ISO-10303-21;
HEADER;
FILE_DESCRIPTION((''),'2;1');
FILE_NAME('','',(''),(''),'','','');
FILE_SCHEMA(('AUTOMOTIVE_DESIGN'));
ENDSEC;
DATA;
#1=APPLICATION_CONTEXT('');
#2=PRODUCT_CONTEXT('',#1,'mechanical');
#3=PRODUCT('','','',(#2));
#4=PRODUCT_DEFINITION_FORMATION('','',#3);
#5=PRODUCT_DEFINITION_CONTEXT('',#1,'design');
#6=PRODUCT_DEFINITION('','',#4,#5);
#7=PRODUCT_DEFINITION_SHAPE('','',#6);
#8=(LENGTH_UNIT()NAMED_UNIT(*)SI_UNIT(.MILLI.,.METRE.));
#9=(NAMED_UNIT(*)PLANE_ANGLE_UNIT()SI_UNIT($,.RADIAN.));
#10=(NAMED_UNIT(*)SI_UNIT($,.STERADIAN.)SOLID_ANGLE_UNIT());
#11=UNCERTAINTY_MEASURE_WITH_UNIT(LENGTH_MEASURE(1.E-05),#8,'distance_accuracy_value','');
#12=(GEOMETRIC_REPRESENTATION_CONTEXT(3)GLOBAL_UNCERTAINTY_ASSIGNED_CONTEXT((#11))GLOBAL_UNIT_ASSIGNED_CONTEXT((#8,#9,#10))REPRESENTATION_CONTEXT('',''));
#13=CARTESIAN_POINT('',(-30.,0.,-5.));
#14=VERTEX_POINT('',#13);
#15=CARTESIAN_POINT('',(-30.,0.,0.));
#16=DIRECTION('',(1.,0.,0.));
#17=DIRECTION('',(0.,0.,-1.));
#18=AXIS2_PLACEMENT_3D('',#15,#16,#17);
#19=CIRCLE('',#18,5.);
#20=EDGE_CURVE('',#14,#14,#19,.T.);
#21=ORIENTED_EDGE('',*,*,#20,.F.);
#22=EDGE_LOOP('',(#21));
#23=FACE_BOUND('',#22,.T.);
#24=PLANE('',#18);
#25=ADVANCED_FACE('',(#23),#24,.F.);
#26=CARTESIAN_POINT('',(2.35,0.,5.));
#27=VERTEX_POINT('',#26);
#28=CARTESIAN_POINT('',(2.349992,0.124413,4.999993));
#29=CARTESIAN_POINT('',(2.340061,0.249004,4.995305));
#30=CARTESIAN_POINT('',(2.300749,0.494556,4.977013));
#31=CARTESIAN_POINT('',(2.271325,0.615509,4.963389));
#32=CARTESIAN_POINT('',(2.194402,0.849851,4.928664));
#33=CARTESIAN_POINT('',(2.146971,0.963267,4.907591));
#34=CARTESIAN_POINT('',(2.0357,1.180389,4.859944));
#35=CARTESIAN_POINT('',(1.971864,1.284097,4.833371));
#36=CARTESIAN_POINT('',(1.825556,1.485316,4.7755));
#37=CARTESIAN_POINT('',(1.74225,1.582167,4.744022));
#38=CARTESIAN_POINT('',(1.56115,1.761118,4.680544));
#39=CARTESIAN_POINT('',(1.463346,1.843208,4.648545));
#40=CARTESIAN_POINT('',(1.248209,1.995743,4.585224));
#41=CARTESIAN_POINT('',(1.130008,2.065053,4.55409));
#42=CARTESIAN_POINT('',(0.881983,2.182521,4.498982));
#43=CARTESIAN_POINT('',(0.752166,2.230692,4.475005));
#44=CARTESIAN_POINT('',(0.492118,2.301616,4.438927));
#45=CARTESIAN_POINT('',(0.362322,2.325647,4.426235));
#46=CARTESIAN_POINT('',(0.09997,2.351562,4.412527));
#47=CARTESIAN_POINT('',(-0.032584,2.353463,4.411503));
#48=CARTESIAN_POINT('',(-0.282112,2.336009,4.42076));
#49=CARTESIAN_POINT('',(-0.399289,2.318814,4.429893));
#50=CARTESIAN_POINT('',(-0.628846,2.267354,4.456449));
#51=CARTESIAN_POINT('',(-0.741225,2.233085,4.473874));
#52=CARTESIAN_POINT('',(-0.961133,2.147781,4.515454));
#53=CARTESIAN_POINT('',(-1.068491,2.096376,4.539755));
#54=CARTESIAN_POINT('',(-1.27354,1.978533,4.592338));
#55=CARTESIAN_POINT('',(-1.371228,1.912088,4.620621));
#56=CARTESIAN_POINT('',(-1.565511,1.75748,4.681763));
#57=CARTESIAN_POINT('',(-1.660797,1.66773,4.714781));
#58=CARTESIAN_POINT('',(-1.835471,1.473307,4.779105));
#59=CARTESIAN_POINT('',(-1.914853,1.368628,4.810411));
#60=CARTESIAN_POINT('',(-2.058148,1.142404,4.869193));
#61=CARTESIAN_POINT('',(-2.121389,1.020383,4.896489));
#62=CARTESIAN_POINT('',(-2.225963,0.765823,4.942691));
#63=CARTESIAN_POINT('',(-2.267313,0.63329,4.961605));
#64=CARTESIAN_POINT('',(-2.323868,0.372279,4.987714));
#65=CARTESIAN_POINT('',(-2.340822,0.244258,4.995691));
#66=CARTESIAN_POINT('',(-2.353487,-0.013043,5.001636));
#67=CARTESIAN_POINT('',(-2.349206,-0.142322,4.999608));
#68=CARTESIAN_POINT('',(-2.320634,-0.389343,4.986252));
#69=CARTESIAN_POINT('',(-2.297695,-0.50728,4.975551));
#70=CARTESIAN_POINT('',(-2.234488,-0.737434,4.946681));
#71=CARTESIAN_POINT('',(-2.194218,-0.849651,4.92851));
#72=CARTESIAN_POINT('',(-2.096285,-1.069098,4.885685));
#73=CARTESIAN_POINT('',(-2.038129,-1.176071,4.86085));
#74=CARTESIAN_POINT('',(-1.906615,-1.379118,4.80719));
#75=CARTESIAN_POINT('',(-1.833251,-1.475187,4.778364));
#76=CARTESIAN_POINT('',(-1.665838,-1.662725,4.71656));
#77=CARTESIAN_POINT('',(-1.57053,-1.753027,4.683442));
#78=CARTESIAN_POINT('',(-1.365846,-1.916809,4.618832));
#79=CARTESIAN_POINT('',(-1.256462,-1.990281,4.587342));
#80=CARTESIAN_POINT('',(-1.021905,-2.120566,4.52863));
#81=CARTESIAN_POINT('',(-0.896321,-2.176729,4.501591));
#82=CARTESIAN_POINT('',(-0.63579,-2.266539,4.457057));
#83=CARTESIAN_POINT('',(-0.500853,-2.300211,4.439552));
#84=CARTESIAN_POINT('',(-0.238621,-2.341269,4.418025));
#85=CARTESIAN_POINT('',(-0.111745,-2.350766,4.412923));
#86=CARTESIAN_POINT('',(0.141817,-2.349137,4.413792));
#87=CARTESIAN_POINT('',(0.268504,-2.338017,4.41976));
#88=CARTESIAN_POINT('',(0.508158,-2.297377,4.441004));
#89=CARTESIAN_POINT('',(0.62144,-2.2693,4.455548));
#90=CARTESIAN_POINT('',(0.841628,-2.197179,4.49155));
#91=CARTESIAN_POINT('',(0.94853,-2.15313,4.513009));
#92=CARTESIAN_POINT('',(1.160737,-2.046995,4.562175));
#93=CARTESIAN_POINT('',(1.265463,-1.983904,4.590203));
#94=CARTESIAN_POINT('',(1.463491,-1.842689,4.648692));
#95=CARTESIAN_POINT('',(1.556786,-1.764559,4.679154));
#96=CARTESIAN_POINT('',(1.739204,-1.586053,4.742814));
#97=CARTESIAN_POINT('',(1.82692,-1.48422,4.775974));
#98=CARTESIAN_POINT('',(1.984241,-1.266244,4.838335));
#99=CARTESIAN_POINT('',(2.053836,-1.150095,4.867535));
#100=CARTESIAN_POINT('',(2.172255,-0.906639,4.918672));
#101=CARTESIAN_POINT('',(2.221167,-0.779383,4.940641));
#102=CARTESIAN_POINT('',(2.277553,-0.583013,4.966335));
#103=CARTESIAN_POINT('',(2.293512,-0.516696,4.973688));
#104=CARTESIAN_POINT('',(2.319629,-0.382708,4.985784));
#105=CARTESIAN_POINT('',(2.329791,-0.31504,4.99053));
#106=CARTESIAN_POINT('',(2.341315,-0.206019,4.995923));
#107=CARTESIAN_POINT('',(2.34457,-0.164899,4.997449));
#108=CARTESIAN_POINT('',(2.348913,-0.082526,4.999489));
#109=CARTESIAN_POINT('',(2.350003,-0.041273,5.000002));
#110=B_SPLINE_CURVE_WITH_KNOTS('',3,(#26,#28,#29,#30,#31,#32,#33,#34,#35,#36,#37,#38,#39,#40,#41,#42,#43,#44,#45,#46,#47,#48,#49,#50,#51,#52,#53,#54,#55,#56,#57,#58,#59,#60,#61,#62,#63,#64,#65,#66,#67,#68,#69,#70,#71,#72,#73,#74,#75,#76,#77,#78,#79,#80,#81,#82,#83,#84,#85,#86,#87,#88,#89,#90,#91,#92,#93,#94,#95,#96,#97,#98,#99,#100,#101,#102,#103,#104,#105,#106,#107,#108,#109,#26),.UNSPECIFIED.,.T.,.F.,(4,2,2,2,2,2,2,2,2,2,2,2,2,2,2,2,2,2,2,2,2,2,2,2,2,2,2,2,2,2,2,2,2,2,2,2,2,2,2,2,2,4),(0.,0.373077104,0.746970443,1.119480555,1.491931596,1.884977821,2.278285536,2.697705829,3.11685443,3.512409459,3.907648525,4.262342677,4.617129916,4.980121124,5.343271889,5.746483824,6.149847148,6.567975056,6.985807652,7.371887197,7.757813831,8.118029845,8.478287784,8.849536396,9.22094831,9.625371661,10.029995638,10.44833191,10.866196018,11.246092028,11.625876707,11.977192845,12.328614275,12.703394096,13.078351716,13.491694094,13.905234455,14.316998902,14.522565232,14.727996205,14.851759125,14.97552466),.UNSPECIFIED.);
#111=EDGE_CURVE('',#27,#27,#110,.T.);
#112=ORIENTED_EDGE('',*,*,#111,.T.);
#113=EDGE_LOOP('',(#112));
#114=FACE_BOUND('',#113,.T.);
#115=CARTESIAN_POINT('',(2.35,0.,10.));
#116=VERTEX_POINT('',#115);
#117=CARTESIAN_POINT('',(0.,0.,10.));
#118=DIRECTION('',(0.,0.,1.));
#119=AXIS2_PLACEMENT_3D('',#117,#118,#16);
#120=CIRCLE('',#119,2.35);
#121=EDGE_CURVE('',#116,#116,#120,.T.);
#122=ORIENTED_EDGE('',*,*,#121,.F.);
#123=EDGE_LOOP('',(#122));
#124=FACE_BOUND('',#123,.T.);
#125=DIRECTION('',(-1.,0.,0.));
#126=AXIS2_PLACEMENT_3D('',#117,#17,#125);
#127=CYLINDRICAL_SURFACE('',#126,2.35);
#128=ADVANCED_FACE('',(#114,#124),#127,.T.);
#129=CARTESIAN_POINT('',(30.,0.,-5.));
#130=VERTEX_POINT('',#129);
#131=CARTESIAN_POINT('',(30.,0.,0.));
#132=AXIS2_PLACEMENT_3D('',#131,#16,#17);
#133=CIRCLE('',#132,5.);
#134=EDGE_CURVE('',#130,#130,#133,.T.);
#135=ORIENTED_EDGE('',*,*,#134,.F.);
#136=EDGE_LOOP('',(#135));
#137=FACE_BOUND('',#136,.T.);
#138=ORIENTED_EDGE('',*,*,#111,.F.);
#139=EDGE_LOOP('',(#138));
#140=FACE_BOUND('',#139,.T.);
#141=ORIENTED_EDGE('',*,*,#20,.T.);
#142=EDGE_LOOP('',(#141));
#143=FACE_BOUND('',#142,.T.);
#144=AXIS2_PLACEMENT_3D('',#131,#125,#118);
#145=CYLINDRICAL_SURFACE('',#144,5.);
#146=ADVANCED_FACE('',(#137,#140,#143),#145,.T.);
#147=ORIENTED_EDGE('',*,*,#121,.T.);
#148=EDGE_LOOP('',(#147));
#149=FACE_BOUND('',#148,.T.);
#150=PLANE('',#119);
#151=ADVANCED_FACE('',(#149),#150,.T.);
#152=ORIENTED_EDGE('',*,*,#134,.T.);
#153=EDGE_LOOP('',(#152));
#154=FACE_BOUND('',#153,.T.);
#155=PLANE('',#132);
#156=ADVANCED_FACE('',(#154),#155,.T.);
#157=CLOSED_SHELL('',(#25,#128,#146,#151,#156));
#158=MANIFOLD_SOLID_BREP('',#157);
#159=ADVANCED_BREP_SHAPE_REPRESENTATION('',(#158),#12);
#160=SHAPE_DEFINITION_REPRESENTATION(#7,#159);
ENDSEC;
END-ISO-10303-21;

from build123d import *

# Parameters (mm, degrees)
SKETCH_1_R      = 5
EXTRUDE_1_DEPTH = 30
SKETCH_2_R      = 2.35
EXTRUDE_2_DEPTH = 10


with BuildPart() as part:
    # 草图1 → 凸台-拉伸1 (new, symmetric)
    with BuildSketch(Plane(origin=(0, 0, 0), x_dir=(0, 0, -1), z_dir=(1, 0, 0))):
        Circle(SKETCH_1_R)
    extrude(amount=EXTRUDE_1_DEPTH, both=True)

    # 草图2 → 凸台-拉伸2 (add)
    with BuildSketch(Plane.XY):
        Circle(SKETCH_2_R)
    extrude(amount=EXTRUDE_2_DEPTH)


solid = part.part
